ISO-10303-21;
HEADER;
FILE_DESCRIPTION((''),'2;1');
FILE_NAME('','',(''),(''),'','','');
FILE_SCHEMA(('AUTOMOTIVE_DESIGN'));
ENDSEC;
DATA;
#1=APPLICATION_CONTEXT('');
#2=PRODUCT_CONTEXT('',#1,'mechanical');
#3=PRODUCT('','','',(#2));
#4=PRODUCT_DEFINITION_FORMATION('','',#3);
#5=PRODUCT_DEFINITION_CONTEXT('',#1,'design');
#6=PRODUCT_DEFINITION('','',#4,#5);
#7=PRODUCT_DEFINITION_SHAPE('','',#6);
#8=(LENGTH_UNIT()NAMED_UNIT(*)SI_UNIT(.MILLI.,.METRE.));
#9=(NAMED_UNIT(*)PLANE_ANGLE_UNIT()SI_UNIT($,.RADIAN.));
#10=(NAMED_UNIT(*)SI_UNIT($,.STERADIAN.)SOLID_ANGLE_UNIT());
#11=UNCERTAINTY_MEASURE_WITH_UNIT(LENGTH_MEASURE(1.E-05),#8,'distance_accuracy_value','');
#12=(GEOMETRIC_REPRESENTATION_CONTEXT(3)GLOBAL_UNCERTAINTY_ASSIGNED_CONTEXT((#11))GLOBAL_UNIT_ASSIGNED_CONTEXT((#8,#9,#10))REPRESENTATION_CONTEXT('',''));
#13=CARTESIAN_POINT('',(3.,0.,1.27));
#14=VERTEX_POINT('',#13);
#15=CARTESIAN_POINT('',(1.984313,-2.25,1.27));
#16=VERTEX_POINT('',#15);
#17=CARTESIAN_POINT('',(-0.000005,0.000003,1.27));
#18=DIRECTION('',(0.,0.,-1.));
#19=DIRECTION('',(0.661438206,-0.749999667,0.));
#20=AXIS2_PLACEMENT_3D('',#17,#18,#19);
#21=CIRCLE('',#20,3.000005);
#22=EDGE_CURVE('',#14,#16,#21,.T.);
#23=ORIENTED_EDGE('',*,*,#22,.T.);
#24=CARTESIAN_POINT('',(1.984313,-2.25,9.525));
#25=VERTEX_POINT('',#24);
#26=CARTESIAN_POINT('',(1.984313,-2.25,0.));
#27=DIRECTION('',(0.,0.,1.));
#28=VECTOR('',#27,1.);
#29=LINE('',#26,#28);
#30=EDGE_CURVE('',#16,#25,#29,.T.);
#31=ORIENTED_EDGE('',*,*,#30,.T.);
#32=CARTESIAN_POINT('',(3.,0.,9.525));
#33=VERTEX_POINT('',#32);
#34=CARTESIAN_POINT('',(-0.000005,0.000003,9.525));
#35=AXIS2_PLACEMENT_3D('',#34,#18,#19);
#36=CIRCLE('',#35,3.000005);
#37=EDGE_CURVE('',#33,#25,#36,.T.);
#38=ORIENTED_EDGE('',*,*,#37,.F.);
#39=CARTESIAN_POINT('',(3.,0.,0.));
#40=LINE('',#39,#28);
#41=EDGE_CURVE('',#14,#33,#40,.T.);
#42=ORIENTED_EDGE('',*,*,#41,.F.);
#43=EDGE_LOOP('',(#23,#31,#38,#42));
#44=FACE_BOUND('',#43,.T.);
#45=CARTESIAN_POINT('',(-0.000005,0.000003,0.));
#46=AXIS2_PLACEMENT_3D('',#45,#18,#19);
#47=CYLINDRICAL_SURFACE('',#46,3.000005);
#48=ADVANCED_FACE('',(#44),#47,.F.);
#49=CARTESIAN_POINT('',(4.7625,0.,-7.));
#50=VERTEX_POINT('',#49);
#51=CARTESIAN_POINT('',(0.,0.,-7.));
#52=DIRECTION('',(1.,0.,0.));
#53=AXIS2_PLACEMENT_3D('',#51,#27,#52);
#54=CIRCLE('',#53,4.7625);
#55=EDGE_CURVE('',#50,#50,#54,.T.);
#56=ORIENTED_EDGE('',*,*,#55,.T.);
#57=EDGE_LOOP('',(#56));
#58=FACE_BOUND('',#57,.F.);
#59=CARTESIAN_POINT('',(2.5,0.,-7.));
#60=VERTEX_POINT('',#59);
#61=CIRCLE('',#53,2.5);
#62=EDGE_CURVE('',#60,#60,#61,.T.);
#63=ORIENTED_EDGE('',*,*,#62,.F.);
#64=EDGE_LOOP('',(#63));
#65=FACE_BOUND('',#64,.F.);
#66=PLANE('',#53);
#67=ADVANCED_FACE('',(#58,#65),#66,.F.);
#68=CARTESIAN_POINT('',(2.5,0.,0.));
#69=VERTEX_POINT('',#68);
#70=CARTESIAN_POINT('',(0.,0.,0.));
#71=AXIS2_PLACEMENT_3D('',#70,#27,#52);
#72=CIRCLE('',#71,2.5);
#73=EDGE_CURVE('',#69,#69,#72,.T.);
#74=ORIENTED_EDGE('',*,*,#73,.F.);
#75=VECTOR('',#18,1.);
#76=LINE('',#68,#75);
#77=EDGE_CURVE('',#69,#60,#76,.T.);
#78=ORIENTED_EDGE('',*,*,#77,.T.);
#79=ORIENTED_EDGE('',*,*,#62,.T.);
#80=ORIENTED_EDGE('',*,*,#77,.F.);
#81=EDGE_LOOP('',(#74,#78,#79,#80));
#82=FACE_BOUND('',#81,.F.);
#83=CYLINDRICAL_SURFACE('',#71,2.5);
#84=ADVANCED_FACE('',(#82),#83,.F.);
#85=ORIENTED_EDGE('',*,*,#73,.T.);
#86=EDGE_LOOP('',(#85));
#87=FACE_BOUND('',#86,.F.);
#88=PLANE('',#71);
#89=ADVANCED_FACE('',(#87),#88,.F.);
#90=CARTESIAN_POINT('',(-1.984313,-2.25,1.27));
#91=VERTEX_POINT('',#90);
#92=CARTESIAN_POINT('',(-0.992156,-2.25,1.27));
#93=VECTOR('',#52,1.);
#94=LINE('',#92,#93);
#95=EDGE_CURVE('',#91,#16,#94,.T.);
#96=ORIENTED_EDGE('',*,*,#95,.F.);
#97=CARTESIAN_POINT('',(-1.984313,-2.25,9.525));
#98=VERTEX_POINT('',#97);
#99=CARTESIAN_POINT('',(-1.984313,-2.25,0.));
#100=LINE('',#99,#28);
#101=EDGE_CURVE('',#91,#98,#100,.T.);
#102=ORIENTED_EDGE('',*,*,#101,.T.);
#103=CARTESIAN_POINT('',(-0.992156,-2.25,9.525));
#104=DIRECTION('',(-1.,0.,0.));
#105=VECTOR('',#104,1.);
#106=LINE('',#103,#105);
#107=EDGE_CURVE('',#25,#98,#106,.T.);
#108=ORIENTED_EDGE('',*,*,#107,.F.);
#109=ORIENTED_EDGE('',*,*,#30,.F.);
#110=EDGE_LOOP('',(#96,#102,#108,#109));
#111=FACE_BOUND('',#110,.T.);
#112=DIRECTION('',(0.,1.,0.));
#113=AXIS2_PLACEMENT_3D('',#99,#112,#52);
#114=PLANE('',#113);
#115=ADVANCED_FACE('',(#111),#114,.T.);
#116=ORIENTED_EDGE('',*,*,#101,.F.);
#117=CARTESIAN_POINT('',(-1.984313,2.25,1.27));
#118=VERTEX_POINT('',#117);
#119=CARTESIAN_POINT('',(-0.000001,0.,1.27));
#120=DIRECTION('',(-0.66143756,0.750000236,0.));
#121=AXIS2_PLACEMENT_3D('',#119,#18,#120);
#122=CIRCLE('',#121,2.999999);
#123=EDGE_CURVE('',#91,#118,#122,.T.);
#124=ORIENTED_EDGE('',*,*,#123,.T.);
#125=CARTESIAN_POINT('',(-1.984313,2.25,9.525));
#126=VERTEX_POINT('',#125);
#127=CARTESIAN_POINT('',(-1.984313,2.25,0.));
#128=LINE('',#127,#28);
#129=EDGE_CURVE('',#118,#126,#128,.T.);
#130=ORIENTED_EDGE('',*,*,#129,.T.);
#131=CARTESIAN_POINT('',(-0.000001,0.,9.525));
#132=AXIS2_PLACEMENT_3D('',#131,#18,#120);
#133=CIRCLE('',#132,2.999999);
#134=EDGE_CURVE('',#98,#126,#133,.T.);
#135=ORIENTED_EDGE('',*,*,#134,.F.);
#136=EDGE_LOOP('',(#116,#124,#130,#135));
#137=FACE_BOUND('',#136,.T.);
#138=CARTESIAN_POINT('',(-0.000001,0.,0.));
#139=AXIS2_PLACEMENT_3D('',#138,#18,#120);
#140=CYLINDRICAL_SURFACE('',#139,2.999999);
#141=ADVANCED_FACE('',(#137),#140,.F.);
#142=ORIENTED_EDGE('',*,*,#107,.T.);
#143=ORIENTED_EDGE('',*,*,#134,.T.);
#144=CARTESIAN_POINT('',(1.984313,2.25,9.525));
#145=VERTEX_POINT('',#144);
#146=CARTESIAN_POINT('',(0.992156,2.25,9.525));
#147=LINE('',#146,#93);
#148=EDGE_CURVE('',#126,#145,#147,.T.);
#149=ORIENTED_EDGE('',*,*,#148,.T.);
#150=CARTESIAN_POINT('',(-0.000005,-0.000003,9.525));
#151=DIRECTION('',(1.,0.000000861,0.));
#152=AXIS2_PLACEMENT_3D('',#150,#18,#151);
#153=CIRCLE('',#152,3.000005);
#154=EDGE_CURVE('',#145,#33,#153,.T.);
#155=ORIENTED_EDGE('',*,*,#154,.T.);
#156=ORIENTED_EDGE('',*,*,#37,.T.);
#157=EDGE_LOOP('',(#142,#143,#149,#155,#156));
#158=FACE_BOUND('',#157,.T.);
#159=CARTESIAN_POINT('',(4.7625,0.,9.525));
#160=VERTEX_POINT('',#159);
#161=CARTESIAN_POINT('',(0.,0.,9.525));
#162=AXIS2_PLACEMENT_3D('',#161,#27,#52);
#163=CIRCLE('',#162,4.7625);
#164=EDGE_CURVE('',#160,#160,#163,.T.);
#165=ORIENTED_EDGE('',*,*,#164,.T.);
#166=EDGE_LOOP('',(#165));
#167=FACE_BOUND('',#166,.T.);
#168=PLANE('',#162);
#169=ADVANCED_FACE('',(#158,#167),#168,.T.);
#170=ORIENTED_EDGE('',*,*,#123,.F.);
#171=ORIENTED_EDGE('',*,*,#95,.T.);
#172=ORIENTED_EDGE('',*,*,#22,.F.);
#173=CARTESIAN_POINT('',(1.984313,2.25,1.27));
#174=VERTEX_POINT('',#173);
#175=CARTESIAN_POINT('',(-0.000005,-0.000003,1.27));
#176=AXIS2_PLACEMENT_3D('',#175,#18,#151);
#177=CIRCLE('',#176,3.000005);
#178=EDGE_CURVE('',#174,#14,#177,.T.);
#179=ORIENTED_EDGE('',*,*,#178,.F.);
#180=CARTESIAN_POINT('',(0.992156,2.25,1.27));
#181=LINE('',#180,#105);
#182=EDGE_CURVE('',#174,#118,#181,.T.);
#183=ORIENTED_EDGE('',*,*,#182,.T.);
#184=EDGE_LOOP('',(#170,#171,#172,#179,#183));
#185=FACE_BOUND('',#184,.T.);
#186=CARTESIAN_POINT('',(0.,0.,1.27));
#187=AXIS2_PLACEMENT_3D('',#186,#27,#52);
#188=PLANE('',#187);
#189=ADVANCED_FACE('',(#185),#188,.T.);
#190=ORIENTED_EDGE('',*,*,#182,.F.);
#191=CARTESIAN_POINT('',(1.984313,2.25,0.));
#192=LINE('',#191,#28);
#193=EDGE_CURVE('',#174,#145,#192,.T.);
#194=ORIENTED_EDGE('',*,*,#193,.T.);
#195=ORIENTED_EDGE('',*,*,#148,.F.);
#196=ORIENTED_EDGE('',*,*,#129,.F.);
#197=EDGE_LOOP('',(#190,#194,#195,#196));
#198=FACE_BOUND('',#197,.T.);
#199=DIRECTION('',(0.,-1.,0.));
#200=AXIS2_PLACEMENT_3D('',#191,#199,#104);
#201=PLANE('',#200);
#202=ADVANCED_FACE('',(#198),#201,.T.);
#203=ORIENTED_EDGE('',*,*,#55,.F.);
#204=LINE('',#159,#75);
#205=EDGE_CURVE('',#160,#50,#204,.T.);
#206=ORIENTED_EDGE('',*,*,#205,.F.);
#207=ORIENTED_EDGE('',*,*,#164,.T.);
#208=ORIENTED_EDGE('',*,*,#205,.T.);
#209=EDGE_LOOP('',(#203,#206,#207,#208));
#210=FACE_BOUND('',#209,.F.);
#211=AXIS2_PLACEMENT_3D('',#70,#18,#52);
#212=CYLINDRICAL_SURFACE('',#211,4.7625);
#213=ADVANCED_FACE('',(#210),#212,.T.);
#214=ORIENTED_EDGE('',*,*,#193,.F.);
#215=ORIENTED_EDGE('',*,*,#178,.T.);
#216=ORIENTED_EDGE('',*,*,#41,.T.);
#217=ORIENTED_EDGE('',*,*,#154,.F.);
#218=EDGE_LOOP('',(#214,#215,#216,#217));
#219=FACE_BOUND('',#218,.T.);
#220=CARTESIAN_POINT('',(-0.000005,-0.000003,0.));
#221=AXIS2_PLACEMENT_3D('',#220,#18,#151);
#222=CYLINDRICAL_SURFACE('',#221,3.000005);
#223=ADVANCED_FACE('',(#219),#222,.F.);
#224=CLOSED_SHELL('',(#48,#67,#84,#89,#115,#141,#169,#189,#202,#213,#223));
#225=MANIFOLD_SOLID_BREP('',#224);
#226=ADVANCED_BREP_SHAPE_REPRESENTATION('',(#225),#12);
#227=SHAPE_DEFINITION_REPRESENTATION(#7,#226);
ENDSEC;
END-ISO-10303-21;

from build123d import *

# Parameters (mm, degrees)
F0_R          = 4.7625
F1_DEPTH      = 9.525
F1_DEPTH_BACK = 7
F4_DEPTH      = 9.526
F3_R          = 2.5
F5_DEPTH      = 7.001
F6_DEPTH      = 1.27


with BuildPart() as f1:
    # F0 (on Top) → F1 (new body, two sides)
    with BuildSketch(Plane.XY) as f1_sk:
        Circle(F0_R)
    extrude(amount=F1_DEPTH)
    extrude(f1_sk.sketch, amount=-F1_DEPTH_BACK)

    # F2 (on Top) → F4 (cut, through all)
    with BuildSketch(Plane.XY):
        with BuildLine():
            ThreePointArc((1.984313, -2.25), (2.734313, -1.234313), (3, 0))
            ThreePointArc((3, 0), (2.734313, 1.234313), (1.984313, 2.25))
            Line((1.984313, 2.25), (-1.984313, 2.25))
            ThreePointArc((-1.984313, 2.25), (-3, 0), (-1.984313, -2.25))
            Line((-1.984313, -2.25), (1.984313, -2.25))
        make_face()
    extrude(amount=F4_DEPTH, mode=Mode.SUBTRACT)

    # F3 (on Top) → F5 (cut, through all)
    with BuildSketch(Plane.XY):
        Circle(F3_R)
    extrude(amount=-F5_DEPTH, mode=Mode.SUBTRACT)

    # F0 (on Top) → F6 (join)
    with BuildSketch(Plane.XY):
        Circle(F0_R)
    extrude(amount=F6_DEPTH)


solid = f1.part
